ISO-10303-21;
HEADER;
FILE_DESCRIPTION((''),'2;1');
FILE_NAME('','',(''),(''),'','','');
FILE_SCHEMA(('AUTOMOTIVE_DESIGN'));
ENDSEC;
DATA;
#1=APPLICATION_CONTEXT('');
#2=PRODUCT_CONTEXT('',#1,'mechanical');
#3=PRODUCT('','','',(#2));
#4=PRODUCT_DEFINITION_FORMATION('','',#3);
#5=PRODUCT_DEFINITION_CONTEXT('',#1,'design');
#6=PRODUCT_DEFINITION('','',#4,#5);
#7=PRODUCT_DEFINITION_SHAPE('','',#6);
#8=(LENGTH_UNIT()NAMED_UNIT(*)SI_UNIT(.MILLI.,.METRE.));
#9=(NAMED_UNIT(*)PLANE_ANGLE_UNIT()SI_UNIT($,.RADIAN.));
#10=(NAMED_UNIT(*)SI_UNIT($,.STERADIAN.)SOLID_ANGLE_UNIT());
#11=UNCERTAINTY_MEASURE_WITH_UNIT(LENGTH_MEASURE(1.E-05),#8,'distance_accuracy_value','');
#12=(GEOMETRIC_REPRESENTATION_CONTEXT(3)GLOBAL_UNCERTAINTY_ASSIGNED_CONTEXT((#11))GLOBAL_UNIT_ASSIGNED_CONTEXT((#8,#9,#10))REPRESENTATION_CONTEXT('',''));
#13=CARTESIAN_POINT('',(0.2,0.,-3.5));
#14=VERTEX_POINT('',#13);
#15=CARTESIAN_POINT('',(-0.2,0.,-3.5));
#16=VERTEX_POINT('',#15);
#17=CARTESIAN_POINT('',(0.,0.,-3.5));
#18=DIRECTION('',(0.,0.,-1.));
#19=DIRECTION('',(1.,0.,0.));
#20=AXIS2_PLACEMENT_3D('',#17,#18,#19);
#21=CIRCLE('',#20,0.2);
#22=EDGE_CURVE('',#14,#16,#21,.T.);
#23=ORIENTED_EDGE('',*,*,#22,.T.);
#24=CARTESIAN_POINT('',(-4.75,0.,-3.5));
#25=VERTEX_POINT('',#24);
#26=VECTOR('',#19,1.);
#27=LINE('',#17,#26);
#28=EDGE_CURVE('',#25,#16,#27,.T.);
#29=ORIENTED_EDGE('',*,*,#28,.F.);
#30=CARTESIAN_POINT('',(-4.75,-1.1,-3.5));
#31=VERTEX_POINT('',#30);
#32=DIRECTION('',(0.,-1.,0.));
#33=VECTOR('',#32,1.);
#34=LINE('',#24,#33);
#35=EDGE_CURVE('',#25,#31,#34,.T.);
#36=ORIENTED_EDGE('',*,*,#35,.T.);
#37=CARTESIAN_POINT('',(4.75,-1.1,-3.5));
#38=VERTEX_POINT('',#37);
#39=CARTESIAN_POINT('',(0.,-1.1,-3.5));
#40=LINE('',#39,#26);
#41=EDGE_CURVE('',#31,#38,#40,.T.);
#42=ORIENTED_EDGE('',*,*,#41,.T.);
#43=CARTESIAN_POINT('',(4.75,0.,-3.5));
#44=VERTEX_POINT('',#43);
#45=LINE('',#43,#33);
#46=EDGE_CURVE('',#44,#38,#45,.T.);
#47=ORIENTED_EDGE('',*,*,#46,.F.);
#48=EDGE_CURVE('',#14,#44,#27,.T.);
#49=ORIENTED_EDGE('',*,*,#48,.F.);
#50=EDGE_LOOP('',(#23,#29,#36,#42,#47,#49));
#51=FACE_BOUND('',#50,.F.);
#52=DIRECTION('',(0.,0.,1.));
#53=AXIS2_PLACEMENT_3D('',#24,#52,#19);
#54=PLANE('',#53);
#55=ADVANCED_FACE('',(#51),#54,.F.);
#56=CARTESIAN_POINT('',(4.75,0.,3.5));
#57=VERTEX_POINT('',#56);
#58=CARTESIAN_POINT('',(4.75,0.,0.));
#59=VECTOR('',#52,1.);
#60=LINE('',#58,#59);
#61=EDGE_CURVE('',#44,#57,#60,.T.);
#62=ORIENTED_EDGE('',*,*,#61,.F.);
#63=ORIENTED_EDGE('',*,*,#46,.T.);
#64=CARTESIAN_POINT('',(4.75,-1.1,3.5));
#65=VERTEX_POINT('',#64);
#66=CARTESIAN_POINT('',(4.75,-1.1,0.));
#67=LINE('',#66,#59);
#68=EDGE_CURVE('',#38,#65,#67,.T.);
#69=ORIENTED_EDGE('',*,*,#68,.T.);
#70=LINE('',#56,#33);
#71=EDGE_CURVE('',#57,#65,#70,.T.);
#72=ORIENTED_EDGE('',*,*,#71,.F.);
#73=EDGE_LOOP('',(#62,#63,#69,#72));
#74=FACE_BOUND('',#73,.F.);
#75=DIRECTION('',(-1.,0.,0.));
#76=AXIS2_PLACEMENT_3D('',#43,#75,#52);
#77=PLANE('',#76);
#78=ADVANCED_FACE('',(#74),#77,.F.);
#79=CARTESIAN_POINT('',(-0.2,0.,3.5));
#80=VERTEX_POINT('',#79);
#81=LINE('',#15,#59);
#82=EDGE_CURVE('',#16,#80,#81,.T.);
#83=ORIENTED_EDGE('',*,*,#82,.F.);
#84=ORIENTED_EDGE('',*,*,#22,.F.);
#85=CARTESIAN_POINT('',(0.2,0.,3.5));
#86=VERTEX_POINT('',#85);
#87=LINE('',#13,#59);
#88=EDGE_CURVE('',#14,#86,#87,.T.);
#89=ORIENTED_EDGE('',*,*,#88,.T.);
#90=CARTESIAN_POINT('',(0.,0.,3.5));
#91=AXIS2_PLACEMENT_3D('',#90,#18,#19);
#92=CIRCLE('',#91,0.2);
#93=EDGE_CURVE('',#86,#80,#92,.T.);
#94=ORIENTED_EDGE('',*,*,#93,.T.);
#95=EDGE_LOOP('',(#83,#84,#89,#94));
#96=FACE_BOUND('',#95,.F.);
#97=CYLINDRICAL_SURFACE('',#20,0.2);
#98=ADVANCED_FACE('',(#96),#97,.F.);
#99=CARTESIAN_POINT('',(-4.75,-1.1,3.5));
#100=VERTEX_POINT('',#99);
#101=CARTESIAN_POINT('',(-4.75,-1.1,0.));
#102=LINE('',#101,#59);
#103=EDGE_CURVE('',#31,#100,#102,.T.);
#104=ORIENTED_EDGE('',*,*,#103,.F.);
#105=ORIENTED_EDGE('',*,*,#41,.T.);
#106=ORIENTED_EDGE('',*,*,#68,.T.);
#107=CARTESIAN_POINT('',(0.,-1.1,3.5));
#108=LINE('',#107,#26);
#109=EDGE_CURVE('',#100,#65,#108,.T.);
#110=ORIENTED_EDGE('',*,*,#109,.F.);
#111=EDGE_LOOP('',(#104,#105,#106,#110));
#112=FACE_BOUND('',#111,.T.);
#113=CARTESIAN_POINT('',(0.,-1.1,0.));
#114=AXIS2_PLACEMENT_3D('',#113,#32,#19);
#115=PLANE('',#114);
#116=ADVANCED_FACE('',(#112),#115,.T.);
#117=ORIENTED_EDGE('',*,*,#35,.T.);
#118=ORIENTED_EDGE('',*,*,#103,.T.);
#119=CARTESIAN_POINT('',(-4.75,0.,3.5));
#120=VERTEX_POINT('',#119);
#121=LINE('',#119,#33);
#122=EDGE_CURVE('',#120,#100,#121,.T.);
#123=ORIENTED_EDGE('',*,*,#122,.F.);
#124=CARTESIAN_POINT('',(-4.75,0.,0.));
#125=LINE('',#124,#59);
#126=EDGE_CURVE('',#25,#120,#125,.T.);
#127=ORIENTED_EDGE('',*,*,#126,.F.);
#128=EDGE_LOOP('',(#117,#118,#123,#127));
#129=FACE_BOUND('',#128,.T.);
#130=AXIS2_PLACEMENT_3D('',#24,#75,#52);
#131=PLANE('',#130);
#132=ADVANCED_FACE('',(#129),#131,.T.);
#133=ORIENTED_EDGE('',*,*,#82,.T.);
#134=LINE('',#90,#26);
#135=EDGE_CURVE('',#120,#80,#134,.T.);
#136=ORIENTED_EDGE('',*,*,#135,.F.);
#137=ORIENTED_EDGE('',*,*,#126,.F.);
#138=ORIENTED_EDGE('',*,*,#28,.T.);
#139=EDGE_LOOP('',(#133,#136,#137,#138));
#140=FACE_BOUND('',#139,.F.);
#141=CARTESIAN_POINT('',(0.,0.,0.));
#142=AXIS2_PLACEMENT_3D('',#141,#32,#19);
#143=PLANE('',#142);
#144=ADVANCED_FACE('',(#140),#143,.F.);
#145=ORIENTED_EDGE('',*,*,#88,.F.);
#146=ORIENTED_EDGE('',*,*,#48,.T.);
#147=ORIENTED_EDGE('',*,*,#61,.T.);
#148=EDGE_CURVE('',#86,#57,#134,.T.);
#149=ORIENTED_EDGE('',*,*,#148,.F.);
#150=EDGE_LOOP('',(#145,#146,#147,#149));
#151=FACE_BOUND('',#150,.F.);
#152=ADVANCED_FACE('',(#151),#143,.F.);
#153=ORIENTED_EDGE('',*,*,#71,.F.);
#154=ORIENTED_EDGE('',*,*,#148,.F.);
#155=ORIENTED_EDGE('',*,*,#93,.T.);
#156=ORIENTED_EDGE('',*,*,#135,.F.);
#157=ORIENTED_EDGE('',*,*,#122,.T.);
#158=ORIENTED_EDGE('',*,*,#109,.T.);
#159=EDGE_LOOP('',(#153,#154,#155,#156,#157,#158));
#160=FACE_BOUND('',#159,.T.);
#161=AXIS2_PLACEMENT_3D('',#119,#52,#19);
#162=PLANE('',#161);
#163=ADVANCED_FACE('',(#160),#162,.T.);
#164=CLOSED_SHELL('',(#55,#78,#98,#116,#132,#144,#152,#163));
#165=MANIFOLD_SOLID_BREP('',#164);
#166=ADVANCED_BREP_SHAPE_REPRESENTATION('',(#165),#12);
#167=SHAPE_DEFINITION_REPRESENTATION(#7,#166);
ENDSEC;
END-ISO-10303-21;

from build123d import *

# Parameters (mm, degrees)
F0_W     = 9.5
F0_H     = 7
F1_DEPTH = 1.1
F3_DEPTH = 7


with BuildPart() as f1:
    # F0 (on Front) → F1 (new body)
    with BuildSketch(Plane.XZ):
        Rectangle(F0_W, F0_H)
    extrude(amount=F1_DEPTH)

    # F2 (on face) → F3 (cut, through all)
    with BuildSketch(Plane(origin=(0, 0, -3.5), x_dir=(1, 0, 0), z_dir=(0, 0, -1))):
        with BuildLine():
            ThreePointArc((0.2, 0), (0, 0.2), (-0.2, 0))
            Line((-0.2, 0), (0.2, 0))
        make_face()
    extrude(amount=-F3_DEPTH, mode=Mode.SUBTRACT)


solid = f1.part
